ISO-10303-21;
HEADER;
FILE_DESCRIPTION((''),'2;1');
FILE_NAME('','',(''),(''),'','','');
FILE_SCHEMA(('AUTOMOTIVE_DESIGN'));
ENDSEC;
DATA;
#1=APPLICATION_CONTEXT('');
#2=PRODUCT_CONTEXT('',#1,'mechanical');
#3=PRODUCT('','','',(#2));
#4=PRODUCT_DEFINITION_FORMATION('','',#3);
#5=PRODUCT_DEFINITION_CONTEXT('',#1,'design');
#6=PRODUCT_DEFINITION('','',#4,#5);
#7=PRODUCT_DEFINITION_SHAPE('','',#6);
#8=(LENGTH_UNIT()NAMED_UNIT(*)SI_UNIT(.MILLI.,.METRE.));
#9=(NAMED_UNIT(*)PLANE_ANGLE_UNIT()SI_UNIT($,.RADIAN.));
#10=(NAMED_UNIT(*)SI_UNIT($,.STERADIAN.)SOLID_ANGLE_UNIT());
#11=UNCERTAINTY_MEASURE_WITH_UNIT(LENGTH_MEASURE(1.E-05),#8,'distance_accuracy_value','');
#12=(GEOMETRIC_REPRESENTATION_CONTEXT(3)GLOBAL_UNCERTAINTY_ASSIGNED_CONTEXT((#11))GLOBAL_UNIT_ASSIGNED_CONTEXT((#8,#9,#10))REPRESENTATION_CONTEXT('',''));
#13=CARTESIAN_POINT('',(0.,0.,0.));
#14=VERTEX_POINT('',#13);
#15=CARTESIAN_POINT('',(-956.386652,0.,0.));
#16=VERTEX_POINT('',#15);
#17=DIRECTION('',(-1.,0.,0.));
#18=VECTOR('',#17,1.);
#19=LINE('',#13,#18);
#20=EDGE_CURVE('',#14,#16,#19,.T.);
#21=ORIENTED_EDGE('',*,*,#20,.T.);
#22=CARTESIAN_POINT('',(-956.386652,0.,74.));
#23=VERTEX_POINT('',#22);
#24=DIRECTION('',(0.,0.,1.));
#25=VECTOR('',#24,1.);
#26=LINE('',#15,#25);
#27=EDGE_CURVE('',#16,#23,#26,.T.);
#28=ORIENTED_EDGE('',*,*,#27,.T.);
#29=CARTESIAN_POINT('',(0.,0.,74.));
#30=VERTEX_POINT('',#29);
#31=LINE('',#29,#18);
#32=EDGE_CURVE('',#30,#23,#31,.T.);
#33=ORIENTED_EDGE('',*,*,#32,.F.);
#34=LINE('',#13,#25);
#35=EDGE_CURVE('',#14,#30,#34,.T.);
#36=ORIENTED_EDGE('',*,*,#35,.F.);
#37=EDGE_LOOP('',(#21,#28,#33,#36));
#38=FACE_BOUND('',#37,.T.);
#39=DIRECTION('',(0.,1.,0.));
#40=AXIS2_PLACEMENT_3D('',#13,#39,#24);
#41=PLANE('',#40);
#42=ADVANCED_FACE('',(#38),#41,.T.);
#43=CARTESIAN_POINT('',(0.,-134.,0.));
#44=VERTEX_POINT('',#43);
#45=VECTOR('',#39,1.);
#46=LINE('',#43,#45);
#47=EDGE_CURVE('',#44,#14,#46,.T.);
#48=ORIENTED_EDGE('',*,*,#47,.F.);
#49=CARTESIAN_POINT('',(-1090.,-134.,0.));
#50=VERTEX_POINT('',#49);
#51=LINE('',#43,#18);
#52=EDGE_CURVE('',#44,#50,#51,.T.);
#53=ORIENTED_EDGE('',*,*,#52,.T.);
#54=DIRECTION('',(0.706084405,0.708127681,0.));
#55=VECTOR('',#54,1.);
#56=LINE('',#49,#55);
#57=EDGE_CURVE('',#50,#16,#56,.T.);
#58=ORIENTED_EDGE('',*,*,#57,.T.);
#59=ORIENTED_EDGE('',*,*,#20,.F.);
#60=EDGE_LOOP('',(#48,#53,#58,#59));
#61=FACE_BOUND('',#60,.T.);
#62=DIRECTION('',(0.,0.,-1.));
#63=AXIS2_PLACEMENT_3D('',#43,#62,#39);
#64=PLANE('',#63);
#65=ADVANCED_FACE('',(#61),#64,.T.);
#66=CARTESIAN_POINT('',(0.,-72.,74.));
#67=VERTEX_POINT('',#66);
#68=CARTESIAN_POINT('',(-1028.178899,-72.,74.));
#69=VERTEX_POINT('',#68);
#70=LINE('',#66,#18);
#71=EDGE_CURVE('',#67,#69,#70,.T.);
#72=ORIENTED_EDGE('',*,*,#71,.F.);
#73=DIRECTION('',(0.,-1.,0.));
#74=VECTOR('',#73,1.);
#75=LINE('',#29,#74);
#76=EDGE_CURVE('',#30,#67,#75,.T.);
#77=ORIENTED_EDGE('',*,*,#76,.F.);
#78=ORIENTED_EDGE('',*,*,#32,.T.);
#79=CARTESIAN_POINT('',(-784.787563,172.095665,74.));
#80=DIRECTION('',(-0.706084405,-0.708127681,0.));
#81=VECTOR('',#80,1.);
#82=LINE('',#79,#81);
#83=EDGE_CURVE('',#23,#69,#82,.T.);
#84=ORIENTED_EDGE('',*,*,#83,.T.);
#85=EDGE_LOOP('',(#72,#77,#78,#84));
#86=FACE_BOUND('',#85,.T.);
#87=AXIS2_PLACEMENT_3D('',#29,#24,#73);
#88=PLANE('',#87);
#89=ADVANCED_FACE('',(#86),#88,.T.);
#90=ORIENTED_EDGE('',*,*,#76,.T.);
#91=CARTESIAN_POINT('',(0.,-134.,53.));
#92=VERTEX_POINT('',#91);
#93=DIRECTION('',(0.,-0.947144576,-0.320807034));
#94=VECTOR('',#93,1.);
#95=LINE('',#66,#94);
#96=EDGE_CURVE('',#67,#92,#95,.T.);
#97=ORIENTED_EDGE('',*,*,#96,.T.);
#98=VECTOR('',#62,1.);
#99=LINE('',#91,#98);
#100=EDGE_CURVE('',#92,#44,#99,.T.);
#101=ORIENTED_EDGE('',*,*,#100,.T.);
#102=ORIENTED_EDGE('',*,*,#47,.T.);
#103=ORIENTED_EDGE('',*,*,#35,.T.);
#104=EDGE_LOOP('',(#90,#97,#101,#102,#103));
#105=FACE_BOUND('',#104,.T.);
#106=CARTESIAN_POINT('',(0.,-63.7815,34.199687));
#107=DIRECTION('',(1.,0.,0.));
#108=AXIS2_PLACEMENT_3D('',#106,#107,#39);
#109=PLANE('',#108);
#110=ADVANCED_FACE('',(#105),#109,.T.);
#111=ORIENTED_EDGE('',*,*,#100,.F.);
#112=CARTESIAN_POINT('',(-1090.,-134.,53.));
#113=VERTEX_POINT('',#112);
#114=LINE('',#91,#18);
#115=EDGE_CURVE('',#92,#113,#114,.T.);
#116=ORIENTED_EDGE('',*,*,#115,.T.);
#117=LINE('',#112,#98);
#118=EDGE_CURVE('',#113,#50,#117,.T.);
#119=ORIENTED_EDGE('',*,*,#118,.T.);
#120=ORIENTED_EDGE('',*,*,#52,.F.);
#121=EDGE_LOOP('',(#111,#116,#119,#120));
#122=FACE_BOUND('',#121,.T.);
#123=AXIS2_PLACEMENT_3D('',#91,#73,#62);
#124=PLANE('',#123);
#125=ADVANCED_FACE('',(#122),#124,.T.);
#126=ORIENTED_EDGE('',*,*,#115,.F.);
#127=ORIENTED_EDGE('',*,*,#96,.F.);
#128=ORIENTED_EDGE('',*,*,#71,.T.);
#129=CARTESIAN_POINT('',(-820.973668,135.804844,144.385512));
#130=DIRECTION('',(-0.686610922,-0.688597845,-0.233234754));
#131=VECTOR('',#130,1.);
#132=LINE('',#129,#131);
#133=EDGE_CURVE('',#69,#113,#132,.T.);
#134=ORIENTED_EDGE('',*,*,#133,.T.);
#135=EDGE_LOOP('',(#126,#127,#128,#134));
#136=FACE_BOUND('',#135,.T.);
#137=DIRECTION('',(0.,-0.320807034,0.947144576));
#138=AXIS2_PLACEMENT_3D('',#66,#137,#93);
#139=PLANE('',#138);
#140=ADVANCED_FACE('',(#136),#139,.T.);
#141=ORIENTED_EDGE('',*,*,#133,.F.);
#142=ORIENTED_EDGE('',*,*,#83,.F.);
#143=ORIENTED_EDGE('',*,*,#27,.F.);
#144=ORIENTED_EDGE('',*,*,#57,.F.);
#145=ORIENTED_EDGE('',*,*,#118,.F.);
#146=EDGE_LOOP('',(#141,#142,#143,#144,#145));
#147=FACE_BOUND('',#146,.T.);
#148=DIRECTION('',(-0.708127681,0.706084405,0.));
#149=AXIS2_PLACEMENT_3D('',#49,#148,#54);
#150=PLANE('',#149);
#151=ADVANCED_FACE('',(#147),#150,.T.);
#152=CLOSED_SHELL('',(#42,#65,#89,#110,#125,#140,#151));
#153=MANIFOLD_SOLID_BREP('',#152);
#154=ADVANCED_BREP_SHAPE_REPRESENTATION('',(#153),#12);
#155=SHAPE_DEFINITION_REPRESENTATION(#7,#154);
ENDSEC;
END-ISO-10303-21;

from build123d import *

# Parameters (mm, degrees)
F1_DEPTH = 1090
F3_DEPTH = 74.001


with BuildPart() as f1:
    # F0 (on Right) → F1 (new body)
    with BuildSketch(Plane.YZ):
        Polygon((-134, 0), (0, 0), (0, 74), (-72, 74), (-134, 53), align=None)
    extrude(amount=-F1_DEPTH)

    # F2 (on Top) → F3 (cut, through all)
    with BuildSketch(Plane.XY):
        Polygon((-1195.407476, -137.201768), (-1090, -134), (-956.386652, 0), (-1195.407476, 0), align=None)
    extrude(amount=F3_DEPTH, mode=Mode.SUBTRACT)


solid = f1.part
